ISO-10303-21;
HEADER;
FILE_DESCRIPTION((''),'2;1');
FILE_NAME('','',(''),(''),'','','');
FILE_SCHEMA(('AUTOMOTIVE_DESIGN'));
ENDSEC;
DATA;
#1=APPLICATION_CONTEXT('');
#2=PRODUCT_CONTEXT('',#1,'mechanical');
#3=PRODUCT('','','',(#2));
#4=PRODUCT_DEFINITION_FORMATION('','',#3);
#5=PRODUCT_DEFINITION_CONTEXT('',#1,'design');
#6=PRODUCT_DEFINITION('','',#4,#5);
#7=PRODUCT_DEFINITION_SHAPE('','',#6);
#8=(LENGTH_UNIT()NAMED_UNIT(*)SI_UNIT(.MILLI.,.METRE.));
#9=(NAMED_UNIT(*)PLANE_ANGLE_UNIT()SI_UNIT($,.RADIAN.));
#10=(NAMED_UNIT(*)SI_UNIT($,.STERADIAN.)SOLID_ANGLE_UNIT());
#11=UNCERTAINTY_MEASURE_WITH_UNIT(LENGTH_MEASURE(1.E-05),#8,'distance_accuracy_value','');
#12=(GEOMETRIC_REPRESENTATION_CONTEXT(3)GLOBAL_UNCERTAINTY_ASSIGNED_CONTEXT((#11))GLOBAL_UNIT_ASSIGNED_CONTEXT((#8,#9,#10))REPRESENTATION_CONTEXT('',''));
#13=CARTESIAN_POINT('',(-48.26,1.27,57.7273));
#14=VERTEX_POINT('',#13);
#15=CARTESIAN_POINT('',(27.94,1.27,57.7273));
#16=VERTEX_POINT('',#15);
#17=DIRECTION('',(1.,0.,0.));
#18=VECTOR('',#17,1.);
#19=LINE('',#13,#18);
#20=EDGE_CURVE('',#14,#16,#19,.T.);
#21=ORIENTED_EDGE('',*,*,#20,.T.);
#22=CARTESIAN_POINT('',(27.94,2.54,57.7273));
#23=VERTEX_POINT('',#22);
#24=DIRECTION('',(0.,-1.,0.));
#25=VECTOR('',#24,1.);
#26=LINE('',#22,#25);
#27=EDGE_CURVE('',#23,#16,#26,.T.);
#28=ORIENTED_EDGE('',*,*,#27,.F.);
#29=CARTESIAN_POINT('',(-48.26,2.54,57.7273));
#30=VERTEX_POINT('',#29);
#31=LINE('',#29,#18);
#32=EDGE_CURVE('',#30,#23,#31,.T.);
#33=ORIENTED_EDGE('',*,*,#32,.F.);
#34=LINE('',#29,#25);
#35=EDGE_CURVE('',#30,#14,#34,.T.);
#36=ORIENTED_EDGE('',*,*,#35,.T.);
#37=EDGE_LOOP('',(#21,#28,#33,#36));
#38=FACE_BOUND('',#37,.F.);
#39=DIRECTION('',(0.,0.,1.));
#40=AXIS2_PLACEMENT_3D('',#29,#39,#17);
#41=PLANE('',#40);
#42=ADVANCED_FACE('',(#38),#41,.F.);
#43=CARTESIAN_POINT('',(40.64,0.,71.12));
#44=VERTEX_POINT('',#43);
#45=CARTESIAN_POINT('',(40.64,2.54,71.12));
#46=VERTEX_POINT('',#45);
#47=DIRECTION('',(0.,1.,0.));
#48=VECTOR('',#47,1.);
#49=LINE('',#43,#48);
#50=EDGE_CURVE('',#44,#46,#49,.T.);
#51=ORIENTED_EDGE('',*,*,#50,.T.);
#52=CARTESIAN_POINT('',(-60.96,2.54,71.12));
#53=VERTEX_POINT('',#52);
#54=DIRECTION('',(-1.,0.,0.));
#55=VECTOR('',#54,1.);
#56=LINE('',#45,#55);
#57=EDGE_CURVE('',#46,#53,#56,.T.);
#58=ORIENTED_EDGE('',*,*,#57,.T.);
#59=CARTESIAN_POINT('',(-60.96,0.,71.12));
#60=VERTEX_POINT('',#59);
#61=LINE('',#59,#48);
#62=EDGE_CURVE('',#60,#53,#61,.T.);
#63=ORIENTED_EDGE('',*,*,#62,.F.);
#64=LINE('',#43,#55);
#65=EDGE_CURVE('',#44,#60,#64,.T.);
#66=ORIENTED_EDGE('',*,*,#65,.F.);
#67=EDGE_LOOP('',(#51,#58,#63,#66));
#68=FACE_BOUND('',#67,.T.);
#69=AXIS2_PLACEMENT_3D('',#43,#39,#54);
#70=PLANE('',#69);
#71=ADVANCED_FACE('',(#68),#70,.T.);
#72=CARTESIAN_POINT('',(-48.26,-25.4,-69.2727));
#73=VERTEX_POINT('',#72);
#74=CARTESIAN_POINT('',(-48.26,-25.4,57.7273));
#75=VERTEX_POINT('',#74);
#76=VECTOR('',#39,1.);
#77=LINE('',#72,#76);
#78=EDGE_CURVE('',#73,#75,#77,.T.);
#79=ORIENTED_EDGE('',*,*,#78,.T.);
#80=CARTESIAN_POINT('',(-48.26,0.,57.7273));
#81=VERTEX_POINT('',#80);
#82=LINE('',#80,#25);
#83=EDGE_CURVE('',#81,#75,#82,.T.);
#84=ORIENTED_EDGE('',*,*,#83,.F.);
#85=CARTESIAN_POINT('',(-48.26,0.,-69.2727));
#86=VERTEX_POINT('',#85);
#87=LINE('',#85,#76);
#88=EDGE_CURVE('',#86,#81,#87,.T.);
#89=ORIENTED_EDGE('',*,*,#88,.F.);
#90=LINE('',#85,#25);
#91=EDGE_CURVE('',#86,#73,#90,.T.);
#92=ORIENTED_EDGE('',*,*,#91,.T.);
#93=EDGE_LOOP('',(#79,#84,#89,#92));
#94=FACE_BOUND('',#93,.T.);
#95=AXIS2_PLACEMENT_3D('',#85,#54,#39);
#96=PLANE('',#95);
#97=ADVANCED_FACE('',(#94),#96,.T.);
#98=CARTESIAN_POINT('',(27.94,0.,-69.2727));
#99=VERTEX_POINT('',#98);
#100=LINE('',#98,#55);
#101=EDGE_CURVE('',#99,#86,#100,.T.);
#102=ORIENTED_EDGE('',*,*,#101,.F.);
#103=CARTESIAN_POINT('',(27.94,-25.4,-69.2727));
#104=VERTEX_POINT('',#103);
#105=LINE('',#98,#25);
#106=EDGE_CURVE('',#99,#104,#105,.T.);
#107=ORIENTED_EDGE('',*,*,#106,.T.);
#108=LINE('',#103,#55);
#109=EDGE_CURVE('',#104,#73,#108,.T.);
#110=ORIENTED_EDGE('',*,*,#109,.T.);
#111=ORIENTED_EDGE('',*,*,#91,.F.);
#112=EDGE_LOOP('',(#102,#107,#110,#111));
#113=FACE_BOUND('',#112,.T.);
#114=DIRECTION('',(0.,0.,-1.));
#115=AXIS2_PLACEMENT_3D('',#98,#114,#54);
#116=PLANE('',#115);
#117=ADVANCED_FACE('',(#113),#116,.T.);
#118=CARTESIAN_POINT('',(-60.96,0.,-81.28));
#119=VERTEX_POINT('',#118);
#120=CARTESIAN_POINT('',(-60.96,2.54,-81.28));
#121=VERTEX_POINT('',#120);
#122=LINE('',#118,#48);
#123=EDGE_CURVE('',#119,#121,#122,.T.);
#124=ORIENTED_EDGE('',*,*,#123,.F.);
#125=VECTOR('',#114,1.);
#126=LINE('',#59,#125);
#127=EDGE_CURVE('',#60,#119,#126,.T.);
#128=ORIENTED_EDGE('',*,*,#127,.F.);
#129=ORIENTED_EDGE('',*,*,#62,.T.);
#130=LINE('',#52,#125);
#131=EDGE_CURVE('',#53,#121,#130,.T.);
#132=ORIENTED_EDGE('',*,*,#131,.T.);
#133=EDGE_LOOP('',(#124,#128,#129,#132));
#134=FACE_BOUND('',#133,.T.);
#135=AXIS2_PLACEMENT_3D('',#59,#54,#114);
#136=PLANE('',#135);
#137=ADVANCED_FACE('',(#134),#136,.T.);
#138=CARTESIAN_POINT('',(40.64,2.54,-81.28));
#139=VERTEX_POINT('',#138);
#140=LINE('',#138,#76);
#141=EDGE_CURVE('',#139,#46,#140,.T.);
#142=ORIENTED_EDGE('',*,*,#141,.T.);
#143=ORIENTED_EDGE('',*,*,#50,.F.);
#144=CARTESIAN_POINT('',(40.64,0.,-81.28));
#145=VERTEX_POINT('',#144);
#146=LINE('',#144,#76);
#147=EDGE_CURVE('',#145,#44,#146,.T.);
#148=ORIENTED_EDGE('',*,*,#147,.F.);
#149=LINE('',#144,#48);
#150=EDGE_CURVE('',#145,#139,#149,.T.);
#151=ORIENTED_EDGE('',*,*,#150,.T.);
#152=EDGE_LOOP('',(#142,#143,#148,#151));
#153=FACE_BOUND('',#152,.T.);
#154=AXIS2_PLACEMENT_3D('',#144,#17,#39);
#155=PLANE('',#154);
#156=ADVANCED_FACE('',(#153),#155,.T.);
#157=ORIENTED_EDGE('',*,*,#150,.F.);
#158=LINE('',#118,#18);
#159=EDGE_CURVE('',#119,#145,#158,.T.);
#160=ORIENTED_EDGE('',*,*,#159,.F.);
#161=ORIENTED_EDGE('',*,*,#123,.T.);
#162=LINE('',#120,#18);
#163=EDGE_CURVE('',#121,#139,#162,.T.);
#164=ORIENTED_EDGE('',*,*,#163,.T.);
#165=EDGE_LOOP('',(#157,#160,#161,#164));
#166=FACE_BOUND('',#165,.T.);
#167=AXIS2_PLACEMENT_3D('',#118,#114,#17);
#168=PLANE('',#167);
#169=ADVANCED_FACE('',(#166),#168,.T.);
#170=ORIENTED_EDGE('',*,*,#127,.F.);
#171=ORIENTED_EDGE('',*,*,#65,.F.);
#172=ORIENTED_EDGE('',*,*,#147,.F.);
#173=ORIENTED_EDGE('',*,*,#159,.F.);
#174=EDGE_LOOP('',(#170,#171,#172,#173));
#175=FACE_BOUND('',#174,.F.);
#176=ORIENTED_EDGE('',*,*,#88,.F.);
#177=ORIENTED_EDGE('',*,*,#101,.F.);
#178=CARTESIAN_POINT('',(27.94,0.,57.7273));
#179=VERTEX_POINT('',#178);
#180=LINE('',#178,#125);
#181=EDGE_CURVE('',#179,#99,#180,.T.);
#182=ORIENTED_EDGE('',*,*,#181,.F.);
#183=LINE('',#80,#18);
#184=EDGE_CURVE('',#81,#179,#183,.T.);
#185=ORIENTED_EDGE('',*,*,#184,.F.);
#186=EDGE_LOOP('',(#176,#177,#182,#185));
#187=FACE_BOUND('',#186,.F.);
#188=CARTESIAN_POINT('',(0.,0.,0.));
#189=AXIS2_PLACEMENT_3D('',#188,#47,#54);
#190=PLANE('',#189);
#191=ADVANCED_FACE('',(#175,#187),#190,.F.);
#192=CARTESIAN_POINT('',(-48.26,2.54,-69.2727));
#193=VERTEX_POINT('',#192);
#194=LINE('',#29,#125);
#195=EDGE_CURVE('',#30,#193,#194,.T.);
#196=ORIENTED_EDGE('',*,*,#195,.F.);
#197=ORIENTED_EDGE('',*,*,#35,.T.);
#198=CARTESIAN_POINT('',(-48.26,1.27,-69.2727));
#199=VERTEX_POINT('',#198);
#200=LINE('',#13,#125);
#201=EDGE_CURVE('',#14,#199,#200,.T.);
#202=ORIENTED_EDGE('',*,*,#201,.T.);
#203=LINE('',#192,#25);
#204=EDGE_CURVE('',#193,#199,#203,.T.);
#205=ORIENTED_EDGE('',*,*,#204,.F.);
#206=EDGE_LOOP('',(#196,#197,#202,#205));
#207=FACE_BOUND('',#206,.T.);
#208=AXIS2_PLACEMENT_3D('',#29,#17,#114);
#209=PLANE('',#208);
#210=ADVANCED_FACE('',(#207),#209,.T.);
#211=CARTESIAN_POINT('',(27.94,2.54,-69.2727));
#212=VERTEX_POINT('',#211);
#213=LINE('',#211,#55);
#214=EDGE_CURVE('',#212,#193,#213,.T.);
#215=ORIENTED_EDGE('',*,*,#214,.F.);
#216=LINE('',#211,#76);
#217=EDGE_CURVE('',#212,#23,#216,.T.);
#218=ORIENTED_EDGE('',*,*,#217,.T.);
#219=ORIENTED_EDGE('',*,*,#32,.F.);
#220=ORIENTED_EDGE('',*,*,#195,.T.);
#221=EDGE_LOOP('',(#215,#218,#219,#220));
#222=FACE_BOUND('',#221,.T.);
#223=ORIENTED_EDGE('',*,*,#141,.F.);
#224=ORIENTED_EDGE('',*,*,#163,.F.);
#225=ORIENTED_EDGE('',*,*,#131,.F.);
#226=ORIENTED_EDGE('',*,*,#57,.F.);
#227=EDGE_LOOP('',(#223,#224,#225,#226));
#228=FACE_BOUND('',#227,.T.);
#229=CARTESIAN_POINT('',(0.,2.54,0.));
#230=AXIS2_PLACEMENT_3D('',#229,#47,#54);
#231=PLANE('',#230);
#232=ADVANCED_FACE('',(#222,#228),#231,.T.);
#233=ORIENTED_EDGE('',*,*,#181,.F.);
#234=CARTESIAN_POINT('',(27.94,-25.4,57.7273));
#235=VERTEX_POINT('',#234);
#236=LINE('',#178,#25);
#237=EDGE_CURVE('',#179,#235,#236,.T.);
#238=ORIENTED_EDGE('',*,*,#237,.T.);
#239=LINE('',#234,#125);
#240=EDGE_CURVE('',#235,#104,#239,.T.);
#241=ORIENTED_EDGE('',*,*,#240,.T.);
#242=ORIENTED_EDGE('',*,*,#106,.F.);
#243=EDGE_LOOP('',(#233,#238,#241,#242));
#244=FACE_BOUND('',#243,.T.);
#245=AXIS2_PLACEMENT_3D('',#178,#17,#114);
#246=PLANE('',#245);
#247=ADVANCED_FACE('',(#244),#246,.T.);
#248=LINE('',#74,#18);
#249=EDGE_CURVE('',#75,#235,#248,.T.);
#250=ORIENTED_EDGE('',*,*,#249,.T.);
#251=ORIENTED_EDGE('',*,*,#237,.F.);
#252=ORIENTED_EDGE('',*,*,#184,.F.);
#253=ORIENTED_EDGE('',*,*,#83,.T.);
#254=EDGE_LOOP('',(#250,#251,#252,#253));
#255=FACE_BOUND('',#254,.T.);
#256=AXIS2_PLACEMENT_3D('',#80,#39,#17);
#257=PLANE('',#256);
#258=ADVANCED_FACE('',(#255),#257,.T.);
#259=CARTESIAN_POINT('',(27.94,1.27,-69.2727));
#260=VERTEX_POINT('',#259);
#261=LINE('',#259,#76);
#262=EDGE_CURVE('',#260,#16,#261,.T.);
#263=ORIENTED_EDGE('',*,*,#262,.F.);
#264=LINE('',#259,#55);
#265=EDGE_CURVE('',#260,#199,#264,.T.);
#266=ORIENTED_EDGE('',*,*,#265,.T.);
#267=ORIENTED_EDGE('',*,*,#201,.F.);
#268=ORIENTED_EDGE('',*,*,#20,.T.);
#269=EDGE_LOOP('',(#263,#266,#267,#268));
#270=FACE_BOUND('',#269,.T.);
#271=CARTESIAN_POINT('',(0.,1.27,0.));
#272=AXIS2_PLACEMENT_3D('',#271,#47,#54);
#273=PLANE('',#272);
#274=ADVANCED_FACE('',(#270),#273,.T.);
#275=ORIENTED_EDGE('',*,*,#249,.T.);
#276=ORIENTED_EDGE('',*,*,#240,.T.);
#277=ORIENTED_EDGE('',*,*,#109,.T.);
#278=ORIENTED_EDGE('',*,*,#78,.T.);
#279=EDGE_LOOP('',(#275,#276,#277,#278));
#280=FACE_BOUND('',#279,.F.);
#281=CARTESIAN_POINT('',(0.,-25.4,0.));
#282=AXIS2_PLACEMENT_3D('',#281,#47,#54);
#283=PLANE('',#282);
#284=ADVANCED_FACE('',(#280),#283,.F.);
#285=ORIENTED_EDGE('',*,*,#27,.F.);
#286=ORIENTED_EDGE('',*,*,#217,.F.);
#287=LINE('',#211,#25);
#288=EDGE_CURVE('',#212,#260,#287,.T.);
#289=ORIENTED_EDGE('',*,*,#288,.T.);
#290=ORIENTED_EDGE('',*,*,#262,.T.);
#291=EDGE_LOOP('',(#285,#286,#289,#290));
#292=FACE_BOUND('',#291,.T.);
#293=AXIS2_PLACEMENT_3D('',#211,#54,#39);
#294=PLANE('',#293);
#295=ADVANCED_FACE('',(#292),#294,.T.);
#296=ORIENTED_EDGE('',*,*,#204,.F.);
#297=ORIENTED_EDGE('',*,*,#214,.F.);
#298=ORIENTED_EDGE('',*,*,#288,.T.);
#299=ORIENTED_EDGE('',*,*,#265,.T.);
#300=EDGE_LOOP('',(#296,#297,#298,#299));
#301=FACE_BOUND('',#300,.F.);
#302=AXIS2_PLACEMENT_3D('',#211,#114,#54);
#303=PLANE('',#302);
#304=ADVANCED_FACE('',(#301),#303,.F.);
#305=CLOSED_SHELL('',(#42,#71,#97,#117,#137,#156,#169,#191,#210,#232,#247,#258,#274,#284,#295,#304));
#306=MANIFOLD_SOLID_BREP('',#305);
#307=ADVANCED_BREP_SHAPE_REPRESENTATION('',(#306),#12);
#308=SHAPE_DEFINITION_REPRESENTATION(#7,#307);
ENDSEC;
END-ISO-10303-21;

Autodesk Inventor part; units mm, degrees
ref_plane "YZ Plane" through (0, 0, 0) normal (1, 0, 0) x (0, 1, 0)
ref_plane "XY Plane" through (0, 0, 0) normal (0, 0, 1) x (1, 0, 0)
sketch "Sketch1" plane through (0, 0, 0) normal (0, 1, 0) x (-1, 0, 0)
  line L0 (60.96, -81.28) -> (-40.64, -81.28)
  line L1 (-40.64, -81.28) -> (-40.64, 71.12)
  line L2 (-40.64, 71.12) -> (60.96, 71.12)
  line L3 (60.96, 71.12) -> (60.96, -81.28)
  point P0 (0, 0)
  dimension "d0" = 152.4
  dimension "d1" = 101.6
extrude "Extrusion1" add sketch "Sketch1" along normal blind 2.54
sketch "Sketch2" plane through (0, 0, 0) normal (0, 1, 0) x (-1, 0, 0)
  line L0 (48.26, 57.7273) -> (-27.94, 57.7273)
  line L1 (-27.94, 57.7273) -> (-27.94, -69.2727)
  line L2 (-27.94, -69.2727) -> (48.26, -69.2727)
  line L3 (48.26, -69.2727) -> (48.26, 57.7273)
  line L4 (60.96, -81.28) -> (60.96, 71.12) projected
  line L5 (-40.64, 71.12) -> (-40.64, -81.28) projected
  point P0 (0, 0)
  dimension "d4" = 127
  dimension "d5" = 76.2
  dimension "d11" = 12.7
extrude "Extrusion2" add sketch "Sketch2" against normal blind 25.4
ref_plane "Work Plane1" through (0, 2.54, 0) normal (0, 1, 0) x (-1, 0, 0)
sketch "Sketch3" plane through (0, 2.54, 0) normal (0, 1, 0) x (-1, 0, 0)
  line L0 (48.26, 57.7273) -> (48.26, -69.2727) projected
  line L1 (-27.94, -69.2727) -> (-27.94, 57.7273) projected
  line L2 (48.26, 57.7273) -> (-27.94, 57.7273)
  line L3 (-27.94, 57.7273) -> (-27.94, -69.2727)
  line L4 (-27.94, -69.2727) -> (48.26, -69.2727)
  line L5 (48.26, -69.2727) -> (48.26, 57.7273)
  point P0 (0, 0)
extrude "Extrusion3" cut sketch "Sketch3" against normal blind 1.27
properties part number "Computer"
